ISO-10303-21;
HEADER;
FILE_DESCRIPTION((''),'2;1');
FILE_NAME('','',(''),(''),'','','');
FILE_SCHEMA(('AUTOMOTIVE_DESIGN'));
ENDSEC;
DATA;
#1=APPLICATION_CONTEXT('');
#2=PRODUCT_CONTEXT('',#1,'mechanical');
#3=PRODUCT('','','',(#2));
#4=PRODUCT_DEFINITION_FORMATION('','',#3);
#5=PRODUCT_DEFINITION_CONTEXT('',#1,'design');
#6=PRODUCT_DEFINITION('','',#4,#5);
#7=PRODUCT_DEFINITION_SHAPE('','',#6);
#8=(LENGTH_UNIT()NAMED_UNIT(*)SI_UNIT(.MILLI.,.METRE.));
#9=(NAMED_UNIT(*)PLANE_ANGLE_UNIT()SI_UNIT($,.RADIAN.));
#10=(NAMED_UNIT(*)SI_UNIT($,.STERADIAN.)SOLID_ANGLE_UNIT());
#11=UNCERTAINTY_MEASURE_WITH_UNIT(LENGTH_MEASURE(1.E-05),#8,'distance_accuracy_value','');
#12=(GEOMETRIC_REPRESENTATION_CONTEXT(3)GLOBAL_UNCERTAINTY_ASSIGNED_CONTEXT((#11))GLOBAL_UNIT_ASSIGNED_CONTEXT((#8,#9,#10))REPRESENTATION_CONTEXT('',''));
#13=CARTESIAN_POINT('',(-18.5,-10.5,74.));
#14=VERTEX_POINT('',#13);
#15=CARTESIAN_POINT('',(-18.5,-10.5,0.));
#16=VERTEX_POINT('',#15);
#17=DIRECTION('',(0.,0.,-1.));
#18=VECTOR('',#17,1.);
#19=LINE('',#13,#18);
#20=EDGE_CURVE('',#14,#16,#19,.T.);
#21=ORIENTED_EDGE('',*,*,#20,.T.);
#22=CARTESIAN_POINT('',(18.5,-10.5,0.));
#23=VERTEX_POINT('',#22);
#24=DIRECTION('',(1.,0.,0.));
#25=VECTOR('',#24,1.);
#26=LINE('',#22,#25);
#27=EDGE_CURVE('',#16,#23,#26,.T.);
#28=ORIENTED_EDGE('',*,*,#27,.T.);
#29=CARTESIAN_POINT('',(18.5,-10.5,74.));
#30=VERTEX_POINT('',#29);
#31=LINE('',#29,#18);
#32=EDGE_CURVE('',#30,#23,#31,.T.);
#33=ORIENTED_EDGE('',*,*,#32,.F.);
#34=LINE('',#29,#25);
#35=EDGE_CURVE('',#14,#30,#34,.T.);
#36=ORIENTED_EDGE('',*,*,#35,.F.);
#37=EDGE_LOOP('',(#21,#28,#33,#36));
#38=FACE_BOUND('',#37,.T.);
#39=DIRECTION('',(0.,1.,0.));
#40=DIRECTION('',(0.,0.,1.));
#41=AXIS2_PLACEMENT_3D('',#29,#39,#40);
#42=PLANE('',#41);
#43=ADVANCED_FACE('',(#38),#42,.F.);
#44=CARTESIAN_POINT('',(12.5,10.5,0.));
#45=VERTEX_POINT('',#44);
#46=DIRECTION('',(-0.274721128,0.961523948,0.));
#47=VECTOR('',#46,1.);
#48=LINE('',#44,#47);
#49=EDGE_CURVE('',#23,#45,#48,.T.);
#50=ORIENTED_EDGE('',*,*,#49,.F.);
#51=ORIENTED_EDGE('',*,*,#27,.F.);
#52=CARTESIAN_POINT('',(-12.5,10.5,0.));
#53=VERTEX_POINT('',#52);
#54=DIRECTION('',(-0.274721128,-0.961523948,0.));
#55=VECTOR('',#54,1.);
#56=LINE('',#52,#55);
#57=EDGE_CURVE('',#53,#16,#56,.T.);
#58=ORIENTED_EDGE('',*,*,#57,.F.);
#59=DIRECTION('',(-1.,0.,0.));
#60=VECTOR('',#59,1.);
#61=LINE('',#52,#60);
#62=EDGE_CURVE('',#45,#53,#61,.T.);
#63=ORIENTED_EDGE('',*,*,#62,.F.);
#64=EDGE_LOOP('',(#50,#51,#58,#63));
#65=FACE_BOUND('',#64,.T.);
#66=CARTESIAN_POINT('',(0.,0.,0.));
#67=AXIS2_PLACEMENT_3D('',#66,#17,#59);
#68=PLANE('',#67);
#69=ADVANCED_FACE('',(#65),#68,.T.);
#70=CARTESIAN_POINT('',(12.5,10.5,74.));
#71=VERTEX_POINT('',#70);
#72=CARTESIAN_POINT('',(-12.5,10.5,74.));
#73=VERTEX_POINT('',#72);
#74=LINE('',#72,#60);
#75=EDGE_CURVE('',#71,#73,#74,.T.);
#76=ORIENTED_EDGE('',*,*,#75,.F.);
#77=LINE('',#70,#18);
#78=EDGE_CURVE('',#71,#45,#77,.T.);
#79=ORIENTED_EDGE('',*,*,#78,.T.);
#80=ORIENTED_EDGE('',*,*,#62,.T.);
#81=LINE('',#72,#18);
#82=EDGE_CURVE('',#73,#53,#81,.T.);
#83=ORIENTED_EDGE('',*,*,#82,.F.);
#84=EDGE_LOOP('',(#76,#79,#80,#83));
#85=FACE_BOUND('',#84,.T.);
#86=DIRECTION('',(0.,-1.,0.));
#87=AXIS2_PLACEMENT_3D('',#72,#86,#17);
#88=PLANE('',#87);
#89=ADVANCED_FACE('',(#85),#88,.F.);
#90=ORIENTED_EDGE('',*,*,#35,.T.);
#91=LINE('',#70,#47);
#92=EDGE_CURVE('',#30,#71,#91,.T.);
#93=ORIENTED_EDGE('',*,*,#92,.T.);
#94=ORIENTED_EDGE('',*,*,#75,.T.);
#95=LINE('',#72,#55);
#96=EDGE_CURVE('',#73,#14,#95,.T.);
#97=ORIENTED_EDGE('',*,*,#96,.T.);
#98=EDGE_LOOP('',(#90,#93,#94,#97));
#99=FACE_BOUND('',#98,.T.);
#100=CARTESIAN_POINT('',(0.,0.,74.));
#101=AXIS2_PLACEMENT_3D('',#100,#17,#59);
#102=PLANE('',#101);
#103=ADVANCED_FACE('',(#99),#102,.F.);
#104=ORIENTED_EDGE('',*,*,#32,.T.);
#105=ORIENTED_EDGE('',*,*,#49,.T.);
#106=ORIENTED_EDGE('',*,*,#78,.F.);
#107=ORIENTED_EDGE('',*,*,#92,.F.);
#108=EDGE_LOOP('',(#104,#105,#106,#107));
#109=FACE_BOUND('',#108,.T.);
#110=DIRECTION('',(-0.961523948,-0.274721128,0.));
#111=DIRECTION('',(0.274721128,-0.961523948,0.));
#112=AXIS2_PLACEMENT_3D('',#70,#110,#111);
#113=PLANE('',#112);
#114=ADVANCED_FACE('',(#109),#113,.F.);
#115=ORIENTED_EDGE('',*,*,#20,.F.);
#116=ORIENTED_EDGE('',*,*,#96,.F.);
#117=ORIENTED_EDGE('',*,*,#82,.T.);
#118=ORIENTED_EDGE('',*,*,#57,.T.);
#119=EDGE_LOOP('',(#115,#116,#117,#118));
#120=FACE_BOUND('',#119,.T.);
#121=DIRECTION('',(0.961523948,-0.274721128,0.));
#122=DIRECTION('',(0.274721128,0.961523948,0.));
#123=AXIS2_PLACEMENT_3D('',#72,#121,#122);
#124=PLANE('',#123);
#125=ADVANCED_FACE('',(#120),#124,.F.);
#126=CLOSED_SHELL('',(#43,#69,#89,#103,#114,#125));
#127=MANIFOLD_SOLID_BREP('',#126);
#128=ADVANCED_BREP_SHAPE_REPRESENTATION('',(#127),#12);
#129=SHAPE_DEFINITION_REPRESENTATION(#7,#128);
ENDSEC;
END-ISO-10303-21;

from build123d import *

# Parameters (mm, degrees)
BOSS_EXTRUDE1_DEPTH = 74


with BuildPart() as part:
    # Sketch1 → Boss-Extrude1 (new body)
    with BuildSketch(Plane.XY):
        Polygon((-12.5, 10.5), (12.5, 10.5), (18.5, -10.5), (-18.5, -10.5), align=None)
    extrude(amount=BOSS_EXTRUDE1_DEPTH)


solid = part.part
